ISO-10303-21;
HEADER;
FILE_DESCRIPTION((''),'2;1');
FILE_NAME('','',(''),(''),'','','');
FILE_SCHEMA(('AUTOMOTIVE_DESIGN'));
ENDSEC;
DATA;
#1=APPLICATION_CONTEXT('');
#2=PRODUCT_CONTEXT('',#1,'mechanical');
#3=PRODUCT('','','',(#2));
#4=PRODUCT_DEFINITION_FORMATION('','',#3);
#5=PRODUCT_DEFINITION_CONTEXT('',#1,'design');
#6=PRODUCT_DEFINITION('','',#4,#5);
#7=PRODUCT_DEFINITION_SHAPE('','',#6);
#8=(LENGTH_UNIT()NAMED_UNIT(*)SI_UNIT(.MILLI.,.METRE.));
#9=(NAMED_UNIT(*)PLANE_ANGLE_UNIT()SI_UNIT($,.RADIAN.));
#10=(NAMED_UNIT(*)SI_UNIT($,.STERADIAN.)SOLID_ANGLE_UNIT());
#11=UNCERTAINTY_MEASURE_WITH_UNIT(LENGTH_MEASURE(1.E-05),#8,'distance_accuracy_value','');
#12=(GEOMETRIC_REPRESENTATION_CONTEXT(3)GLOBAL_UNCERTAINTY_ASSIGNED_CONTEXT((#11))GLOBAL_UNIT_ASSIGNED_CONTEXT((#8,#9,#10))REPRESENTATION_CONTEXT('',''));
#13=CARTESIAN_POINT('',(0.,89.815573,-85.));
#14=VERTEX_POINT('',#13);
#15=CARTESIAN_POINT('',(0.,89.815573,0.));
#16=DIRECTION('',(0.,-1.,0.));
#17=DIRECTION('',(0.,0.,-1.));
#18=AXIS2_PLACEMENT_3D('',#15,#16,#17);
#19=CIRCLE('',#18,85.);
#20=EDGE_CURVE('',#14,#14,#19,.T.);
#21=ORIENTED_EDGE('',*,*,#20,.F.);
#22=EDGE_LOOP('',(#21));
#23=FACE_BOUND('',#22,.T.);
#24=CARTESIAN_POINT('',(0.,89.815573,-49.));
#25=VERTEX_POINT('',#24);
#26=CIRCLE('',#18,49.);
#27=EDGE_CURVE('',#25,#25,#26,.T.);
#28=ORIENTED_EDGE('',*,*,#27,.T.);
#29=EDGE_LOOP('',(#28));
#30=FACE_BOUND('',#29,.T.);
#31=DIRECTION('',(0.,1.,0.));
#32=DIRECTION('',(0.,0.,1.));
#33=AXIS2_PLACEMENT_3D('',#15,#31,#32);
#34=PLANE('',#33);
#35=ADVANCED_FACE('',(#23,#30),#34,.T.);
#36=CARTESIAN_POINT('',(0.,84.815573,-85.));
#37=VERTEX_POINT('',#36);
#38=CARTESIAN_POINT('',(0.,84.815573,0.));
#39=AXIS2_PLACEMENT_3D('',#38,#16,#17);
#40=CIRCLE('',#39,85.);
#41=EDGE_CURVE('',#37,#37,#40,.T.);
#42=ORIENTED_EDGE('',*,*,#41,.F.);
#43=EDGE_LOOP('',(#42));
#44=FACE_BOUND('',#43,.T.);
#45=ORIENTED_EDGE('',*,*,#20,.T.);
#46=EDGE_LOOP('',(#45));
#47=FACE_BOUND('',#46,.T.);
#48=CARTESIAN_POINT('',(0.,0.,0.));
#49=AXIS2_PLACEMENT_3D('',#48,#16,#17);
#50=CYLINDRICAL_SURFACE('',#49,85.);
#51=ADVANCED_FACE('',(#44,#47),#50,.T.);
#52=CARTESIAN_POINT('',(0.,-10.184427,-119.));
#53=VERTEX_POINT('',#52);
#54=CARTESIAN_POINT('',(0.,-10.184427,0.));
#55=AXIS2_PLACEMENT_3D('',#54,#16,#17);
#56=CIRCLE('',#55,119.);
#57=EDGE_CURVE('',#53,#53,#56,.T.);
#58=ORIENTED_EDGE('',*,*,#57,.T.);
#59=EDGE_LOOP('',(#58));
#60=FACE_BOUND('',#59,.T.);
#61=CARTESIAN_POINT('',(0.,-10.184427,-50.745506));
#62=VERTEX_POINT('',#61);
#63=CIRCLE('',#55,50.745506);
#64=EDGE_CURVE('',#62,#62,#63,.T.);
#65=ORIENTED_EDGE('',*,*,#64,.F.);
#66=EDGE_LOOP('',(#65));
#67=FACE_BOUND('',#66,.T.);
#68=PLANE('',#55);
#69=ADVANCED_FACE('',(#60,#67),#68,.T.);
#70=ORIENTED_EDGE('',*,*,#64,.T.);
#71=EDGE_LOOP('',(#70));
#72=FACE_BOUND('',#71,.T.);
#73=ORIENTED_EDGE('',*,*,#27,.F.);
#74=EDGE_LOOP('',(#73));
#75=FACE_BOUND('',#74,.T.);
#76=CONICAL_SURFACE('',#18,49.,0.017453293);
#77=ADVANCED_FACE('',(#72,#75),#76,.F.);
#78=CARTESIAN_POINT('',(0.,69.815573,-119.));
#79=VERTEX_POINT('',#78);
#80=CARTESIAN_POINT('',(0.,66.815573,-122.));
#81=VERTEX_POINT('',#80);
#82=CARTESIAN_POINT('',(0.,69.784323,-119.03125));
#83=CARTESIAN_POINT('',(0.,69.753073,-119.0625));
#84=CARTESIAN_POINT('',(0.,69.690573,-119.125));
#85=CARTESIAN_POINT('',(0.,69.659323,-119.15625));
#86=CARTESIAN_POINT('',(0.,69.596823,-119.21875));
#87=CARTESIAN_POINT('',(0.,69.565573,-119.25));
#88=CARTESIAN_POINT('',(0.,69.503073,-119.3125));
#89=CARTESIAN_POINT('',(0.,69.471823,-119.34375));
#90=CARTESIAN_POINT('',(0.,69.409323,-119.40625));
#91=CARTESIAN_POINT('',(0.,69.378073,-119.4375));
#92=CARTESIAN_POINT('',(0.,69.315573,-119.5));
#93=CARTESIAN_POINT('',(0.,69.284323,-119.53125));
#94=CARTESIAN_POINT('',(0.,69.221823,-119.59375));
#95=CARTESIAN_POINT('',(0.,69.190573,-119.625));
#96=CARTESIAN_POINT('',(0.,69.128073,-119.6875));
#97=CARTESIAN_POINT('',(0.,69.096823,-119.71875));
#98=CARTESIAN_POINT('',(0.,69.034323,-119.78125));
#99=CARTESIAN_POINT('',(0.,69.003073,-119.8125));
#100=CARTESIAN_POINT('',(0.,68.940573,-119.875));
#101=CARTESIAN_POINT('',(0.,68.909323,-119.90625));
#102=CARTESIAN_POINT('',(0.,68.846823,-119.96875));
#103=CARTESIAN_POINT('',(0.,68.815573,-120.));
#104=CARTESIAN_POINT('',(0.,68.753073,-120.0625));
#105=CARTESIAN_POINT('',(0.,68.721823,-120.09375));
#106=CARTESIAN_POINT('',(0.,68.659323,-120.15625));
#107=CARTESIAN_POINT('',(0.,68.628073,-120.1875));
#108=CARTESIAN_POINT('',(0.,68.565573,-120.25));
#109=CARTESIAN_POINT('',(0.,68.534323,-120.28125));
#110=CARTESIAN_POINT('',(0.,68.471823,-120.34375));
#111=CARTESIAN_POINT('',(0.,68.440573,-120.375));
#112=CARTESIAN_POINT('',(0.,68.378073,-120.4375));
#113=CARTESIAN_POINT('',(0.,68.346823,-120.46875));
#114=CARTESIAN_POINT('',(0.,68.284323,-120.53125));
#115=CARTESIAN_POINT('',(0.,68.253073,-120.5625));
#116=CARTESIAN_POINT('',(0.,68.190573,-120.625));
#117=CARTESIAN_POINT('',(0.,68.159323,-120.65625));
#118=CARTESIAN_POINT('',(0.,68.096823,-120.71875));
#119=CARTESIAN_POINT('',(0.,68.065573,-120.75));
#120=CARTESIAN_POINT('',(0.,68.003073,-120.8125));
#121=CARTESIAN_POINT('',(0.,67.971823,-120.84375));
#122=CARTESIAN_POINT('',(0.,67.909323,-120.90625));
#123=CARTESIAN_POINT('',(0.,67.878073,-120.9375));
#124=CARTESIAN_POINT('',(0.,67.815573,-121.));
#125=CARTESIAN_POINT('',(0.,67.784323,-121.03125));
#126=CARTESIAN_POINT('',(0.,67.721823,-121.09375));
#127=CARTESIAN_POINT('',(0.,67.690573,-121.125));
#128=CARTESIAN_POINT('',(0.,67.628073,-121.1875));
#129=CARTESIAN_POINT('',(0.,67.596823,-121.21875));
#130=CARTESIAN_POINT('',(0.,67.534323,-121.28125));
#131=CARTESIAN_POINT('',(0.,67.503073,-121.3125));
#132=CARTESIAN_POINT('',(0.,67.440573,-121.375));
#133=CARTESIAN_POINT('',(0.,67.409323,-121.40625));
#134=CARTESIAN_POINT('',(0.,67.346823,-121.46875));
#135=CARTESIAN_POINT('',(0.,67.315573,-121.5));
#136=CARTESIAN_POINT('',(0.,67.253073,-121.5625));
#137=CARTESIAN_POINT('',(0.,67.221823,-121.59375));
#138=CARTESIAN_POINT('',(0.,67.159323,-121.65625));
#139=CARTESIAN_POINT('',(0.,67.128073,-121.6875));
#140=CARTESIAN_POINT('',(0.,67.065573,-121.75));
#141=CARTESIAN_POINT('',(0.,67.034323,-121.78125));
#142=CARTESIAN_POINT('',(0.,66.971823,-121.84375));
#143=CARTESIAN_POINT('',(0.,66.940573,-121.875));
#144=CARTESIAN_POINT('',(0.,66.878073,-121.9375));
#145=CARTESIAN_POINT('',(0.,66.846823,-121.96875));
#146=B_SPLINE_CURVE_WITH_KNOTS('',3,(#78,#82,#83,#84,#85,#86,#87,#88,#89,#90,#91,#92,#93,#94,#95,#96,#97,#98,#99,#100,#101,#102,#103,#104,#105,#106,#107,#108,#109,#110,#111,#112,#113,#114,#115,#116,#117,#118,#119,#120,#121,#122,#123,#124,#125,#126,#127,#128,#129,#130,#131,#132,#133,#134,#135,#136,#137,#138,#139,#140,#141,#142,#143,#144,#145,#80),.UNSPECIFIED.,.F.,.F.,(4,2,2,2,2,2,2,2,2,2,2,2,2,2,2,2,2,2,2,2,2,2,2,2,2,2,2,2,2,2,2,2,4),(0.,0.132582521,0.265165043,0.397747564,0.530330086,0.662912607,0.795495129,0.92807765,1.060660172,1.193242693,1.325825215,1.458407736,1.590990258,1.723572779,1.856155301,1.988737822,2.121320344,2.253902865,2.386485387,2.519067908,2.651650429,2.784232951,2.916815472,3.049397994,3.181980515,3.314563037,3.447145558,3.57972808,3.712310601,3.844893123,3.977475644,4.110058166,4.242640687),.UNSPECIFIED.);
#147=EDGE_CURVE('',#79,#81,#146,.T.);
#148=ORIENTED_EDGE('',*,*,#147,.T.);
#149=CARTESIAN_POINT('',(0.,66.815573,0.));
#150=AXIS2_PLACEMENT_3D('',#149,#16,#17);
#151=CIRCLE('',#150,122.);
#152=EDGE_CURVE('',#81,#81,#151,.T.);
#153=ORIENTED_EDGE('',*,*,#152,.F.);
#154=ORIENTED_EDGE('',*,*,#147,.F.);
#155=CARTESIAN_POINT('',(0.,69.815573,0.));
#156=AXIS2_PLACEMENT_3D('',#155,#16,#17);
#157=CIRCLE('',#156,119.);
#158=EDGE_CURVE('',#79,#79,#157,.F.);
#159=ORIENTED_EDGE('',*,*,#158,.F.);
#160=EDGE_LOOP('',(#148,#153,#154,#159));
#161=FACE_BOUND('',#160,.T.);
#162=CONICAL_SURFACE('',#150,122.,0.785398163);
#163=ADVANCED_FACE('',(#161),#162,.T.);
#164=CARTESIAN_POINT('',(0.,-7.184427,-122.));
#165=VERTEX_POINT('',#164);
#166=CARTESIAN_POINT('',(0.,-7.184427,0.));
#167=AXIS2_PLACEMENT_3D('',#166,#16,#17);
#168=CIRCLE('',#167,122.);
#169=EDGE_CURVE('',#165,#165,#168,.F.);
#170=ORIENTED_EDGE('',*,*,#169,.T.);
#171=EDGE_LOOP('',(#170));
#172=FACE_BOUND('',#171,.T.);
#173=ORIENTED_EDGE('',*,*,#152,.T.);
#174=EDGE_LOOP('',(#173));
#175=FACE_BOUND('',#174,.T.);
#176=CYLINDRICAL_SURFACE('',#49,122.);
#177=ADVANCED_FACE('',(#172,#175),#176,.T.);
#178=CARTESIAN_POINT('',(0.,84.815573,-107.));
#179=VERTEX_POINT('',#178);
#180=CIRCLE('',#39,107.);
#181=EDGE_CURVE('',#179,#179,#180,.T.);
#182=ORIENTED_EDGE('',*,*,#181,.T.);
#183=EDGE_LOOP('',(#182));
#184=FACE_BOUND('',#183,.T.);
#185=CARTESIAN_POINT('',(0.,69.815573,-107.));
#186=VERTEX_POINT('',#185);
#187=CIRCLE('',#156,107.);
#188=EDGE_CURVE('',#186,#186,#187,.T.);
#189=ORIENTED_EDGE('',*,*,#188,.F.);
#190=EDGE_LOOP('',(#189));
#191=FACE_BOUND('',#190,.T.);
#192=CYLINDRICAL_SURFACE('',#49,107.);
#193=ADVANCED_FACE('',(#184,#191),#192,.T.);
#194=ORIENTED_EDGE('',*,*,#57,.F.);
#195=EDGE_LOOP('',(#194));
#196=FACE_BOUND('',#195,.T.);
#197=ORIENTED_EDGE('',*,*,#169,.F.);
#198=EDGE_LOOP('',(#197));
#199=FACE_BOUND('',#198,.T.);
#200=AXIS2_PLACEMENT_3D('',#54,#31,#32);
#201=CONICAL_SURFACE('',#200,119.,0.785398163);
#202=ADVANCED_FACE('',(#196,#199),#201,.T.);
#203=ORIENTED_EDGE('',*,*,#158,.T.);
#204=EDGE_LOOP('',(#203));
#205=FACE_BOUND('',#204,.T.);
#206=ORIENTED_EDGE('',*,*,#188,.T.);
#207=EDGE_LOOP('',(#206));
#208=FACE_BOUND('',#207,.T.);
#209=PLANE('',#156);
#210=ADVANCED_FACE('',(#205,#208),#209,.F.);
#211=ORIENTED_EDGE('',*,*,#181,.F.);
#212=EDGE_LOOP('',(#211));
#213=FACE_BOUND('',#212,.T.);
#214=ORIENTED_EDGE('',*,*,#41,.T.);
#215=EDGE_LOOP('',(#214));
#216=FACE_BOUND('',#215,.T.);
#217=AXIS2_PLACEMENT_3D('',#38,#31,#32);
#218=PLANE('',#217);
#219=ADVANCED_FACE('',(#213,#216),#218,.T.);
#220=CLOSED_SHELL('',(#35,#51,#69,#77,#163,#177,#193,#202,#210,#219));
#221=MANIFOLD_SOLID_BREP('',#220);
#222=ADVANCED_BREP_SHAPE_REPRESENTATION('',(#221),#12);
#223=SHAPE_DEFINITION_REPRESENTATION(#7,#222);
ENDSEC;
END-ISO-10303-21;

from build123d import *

# Parameters (mm, degrees)
SFAZOWANIE2_SIZE = 3


with BuildPart() as part:
    # Szkic1 → Obrót1 (revolve)
    with BuildSketch(Plane.XY, mode=Mode.PRIVATE) as obr_t1_sk:
        Polygon((-122, 69.81557254), (-122, -10.18442746), (-50.745506493, -10.18442746), (-49, 89.81557254), (-85, 89.81557254), (-85, 84.81557254), (-107, 84.81557254), (-107, 69.81557254), align=None)
    revolve(obr_t1_sk.sketch.rotate(Axis((0, 0, 0), (0, 1, 0)), 270), axis=Axis((0, 0, 0), (0, 1, 0)))

    # Sfazowanie2
    sfazowanie2_edges = [part.edges().sort_by_distance(p)[0] for p in [
        (0, -10.18442746, 122),
        (0, 69.81557254, 122),
    ]]
    chamfer(sfazowanie2_edges, length=SFAZOWANIE2_SIZE)


solid = part.part
